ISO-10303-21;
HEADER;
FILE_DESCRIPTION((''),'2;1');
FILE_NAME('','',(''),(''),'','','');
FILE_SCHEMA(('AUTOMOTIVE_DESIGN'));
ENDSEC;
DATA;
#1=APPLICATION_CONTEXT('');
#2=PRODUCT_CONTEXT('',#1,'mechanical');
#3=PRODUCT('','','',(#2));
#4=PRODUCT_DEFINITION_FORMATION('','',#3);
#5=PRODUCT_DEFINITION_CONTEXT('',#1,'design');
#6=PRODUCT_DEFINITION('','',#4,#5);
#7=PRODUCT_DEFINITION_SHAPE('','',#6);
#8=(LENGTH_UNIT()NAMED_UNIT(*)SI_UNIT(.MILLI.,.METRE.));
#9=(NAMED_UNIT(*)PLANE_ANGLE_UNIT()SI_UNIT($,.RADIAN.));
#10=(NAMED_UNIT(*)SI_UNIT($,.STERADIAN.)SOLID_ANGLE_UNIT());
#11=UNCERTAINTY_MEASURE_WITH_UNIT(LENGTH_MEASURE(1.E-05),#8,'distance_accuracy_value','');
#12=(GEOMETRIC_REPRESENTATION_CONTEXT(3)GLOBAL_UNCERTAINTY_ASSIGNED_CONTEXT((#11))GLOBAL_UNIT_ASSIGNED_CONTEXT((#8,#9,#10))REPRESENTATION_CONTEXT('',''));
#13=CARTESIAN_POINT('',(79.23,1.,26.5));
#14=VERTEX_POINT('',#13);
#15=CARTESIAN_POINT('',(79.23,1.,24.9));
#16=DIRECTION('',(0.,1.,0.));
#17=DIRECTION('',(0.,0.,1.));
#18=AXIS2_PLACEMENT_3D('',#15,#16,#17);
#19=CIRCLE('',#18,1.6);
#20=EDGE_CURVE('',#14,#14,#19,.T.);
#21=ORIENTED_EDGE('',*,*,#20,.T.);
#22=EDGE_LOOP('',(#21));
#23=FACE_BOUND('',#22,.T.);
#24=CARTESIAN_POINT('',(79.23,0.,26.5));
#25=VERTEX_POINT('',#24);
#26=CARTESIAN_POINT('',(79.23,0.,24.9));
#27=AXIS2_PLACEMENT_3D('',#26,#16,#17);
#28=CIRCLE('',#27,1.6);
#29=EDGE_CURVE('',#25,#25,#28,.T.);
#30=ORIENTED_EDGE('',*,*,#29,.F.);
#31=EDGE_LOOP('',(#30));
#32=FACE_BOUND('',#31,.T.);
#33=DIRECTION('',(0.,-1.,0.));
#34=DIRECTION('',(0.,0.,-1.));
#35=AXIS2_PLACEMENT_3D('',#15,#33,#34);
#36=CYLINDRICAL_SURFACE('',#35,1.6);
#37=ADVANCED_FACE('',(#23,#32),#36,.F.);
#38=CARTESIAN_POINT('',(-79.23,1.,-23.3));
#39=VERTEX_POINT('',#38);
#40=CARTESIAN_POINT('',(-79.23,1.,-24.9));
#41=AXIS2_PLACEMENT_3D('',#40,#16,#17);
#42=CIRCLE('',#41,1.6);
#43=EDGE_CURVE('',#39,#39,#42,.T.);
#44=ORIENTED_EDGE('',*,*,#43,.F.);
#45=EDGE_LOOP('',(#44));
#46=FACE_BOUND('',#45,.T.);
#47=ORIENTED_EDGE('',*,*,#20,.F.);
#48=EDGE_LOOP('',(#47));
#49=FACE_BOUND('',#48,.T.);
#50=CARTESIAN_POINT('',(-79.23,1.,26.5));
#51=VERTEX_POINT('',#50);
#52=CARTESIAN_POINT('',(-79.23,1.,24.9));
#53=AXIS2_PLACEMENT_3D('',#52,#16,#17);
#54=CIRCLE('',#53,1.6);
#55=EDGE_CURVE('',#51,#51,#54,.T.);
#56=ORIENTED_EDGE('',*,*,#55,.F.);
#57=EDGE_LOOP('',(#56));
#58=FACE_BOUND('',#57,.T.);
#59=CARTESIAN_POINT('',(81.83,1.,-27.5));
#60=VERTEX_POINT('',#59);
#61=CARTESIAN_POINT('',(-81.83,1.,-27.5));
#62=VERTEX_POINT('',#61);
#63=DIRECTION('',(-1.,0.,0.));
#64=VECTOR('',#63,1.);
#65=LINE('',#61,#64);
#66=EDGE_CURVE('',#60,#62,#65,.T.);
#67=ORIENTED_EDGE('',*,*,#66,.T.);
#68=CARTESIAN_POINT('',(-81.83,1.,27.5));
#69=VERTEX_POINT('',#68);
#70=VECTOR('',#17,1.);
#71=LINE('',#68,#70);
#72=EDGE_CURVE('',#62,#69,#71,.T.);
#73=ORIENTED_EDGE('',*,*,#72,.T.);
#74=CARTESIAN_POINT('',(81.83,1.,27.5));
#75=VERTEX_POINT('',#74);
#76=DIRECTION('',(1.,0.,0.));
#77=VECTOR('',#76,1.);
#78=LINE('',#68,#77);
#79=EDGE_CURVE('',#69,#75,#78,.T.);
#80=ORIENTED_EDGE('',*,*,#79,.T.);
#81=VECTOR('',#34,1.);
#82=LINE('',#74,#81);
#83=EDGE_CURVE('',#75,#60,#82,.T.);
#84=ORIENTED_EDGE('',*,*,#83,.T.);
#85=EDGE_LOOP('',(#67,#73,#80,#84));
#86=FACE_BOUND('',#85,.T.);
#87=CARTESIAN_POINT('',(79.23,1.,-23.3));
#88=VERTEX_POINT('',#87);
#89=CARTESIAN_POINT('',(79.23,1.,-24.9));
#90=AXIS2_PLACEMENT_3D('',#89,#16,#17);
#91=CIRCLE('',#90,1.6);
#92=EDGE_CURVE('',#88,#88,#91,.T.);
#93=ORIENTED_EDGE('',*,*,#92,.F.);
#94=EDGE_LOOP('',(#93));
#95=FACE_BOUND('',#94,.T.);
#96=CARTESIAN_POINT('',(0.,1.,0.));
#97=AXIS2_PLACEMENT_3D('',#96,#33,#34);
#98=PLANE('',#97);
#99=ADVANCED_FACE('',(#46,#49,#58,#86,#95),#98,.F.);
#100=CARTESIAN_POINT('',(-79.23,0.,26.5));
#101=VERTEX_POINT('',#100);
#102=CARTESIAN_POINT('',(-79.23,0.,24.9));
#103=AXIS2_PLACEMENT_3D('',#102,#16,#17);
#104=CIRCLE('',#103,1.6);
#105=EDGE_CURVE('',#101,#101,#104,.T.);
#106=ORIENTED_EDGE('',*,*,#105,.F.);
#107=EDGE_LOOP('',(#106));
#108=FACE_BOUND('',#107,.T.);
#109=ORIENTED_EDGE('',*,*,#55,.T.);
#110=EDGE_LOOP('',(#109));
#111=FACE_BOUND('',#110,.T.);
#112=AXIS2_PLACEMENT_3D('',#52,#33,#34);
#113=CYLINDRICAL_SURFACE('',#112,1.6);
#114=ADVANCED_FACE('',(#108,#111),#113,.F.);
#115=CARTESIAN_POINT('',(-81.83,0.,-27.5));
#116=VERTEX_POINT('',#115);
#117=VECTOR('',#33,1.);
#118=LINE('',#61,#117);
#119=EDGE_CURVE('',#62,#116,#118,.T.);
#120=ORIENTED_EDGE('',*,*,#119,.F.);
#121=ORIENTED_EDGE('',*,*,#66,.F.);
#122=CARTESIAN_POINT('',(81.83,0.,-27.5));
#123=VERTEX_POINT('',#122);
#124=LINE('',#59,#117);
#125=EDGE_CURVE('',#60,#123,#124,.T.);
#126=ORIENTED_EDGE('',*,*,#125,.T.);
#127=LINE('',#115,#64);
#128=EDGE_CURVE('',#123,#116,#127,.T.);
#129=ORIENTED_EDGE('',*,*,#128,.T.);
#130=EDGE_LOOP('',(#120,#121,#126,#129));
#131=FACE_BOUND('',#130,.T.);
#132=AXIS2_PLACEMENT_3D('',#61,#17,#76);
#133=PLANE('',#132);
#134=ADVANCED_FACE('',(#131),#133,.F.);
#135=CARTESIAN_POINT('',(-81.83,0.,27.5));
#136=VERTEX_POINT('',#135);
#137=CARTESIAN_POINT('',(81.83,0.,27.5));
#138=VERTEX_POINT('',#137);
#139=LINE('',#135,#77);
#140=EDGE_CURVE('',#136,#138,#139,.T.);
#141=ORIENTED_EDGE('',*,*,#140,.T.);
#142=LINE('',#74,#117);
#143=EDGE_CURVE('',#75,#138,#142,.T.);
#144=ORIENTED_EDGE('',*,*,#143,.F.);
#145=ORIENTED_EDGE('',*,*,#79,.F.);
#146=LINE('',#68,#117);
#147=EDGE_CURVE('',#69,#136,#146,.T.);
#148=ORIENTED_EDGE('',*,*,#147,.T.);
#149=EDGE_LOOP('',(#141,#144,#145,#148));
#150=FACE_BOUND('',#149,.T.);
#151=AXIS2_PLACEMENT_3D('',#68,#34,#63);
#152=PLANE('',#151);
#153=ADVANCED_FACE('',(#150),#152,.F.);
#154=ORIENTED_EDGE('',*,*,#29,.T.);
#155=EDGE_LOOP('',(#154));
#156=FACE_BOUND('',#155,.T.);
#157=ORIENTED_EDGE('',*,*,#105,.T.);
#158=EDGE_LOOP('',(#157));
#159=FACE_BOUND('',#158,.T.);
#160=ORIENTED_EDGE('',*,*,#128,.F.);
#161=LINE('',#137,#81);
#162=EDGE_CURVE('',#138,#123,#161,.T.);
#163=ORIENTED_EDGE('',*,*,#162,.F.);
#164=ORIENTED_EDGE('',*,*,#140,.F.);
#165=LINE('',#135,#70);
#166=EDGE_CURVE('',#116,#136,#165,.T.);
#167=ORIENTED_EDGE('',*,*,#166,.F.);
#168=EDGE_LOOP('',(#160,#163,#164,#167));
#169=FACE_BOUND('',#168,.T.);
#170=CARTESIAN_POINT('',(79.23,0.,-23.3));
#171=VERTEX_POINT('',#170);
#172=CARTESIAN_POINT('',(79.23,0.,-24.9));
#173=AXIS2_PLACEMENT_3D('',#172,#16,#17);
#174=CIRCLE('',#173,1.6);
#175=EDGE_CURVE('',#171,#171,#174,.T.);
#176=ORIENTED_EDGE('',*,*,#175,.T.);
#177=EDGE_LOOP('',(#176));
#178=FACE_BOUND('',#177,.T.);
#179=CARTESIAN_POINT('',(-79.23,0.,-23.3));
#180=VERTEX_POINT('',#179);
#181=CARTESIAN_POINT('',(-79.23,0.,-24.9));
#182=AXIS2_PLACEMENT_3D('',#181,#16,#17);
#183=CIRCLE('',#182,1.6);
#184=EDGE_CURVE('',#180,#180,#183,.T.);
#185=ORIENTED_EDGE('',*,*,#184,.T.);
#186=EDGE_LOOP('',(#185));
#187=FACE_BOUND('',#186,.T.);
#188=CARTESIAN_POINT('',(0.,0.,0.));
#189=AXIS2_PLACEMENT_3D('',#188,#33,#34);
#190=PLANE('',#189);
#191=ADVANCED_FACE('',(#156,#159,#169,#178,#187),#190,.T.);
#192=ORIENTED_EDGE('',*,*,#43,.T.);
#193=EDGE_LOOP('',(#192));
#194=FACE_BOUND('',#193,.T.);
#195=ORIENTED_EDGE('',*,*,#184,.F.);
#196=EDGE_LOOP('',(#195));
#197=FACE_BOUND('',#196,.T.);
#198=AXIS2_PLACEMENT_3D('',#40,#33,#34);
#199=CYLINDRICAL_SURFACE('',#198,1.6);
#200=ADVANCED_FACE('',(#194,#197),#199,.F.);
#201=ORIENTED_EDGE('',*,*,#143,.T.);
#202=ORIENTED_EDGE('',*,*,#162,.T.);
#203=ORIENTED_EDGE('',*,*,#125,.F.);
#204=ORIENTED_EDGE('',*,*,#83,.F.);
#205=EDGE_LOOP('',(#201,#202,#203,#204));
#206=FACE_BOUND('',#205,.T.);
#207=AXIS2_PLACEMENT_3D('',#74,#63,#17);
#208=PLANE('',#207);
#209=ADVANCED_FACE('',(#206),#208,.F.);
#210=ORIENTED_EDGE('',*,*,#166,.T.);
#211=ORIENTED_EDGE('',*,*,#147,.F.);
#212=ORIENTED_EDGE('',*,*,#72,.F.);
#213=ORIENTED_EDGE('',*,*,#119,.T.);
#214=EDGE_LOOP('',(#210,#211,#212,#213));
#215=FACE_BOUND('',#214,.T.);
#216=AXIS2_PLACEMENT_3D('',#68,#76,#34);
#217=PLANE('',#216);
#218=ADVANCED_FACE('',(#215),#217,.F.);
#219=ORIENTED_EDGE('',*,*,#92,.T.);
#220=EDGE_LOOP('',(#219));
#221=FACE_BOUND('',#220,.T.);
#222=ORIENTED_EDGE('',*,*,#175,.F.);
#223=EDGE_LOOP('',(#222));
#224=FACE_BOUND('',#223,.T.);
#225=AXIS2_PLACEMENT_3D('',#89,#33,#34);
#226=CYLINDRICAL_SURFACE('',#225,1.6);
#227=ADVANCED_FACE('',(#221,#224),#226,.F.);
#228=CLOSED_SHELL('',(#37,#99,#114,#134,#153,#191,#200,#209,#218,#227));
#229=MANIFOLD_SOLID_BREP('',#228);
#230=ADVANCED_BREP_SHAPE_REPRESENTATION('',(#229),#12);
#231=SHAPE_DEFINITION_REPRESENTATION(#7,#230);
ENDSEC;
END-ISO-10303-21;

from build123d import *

# Parameters (mm, degrees)
SKETCH1_W           = 163.66
SKETCH1_H           = 55
SKETCH1_R           = 1.6
BOSS_EXTRUDE1_DEPTH = 1


with BuildPart() as part:
    # Sketch1 → Boss-Extrude1 (new body)
    with BuildSketch(Plane(origin=(0, 0, 0), x_dir=(1, 0, 0), z_dir=(0, 1, 0))):
        Rectangle(SKETCH1_W, SKETCH1_H)
        with Locations(Location((79.23, 24.9, 0), (0, 0, 270))):
            Circle(SKETCH1_R, mode=Mode.SUBTRACT)
        with Locations(Location((79.23, -24.9, 0), (0, 0, 270))):
            Circle(SKETCH1_R, mode=Mode.SUBTRACT)
        with Locations(Location((-79.23, -24.9, 0), (0, 0, 270))):
            Circle(SKETCH1_R, mode=Mode.SUBTRACT)
        with Locations(Location((-79.23, 24.9, 0), (0, 0, 270))):
            Circle(SKETCH1_R, mode=Mode.SUBTRACT)
    extrude(amount=BOSS_EXTRUDE1_DEPTH)


solid = part.part
